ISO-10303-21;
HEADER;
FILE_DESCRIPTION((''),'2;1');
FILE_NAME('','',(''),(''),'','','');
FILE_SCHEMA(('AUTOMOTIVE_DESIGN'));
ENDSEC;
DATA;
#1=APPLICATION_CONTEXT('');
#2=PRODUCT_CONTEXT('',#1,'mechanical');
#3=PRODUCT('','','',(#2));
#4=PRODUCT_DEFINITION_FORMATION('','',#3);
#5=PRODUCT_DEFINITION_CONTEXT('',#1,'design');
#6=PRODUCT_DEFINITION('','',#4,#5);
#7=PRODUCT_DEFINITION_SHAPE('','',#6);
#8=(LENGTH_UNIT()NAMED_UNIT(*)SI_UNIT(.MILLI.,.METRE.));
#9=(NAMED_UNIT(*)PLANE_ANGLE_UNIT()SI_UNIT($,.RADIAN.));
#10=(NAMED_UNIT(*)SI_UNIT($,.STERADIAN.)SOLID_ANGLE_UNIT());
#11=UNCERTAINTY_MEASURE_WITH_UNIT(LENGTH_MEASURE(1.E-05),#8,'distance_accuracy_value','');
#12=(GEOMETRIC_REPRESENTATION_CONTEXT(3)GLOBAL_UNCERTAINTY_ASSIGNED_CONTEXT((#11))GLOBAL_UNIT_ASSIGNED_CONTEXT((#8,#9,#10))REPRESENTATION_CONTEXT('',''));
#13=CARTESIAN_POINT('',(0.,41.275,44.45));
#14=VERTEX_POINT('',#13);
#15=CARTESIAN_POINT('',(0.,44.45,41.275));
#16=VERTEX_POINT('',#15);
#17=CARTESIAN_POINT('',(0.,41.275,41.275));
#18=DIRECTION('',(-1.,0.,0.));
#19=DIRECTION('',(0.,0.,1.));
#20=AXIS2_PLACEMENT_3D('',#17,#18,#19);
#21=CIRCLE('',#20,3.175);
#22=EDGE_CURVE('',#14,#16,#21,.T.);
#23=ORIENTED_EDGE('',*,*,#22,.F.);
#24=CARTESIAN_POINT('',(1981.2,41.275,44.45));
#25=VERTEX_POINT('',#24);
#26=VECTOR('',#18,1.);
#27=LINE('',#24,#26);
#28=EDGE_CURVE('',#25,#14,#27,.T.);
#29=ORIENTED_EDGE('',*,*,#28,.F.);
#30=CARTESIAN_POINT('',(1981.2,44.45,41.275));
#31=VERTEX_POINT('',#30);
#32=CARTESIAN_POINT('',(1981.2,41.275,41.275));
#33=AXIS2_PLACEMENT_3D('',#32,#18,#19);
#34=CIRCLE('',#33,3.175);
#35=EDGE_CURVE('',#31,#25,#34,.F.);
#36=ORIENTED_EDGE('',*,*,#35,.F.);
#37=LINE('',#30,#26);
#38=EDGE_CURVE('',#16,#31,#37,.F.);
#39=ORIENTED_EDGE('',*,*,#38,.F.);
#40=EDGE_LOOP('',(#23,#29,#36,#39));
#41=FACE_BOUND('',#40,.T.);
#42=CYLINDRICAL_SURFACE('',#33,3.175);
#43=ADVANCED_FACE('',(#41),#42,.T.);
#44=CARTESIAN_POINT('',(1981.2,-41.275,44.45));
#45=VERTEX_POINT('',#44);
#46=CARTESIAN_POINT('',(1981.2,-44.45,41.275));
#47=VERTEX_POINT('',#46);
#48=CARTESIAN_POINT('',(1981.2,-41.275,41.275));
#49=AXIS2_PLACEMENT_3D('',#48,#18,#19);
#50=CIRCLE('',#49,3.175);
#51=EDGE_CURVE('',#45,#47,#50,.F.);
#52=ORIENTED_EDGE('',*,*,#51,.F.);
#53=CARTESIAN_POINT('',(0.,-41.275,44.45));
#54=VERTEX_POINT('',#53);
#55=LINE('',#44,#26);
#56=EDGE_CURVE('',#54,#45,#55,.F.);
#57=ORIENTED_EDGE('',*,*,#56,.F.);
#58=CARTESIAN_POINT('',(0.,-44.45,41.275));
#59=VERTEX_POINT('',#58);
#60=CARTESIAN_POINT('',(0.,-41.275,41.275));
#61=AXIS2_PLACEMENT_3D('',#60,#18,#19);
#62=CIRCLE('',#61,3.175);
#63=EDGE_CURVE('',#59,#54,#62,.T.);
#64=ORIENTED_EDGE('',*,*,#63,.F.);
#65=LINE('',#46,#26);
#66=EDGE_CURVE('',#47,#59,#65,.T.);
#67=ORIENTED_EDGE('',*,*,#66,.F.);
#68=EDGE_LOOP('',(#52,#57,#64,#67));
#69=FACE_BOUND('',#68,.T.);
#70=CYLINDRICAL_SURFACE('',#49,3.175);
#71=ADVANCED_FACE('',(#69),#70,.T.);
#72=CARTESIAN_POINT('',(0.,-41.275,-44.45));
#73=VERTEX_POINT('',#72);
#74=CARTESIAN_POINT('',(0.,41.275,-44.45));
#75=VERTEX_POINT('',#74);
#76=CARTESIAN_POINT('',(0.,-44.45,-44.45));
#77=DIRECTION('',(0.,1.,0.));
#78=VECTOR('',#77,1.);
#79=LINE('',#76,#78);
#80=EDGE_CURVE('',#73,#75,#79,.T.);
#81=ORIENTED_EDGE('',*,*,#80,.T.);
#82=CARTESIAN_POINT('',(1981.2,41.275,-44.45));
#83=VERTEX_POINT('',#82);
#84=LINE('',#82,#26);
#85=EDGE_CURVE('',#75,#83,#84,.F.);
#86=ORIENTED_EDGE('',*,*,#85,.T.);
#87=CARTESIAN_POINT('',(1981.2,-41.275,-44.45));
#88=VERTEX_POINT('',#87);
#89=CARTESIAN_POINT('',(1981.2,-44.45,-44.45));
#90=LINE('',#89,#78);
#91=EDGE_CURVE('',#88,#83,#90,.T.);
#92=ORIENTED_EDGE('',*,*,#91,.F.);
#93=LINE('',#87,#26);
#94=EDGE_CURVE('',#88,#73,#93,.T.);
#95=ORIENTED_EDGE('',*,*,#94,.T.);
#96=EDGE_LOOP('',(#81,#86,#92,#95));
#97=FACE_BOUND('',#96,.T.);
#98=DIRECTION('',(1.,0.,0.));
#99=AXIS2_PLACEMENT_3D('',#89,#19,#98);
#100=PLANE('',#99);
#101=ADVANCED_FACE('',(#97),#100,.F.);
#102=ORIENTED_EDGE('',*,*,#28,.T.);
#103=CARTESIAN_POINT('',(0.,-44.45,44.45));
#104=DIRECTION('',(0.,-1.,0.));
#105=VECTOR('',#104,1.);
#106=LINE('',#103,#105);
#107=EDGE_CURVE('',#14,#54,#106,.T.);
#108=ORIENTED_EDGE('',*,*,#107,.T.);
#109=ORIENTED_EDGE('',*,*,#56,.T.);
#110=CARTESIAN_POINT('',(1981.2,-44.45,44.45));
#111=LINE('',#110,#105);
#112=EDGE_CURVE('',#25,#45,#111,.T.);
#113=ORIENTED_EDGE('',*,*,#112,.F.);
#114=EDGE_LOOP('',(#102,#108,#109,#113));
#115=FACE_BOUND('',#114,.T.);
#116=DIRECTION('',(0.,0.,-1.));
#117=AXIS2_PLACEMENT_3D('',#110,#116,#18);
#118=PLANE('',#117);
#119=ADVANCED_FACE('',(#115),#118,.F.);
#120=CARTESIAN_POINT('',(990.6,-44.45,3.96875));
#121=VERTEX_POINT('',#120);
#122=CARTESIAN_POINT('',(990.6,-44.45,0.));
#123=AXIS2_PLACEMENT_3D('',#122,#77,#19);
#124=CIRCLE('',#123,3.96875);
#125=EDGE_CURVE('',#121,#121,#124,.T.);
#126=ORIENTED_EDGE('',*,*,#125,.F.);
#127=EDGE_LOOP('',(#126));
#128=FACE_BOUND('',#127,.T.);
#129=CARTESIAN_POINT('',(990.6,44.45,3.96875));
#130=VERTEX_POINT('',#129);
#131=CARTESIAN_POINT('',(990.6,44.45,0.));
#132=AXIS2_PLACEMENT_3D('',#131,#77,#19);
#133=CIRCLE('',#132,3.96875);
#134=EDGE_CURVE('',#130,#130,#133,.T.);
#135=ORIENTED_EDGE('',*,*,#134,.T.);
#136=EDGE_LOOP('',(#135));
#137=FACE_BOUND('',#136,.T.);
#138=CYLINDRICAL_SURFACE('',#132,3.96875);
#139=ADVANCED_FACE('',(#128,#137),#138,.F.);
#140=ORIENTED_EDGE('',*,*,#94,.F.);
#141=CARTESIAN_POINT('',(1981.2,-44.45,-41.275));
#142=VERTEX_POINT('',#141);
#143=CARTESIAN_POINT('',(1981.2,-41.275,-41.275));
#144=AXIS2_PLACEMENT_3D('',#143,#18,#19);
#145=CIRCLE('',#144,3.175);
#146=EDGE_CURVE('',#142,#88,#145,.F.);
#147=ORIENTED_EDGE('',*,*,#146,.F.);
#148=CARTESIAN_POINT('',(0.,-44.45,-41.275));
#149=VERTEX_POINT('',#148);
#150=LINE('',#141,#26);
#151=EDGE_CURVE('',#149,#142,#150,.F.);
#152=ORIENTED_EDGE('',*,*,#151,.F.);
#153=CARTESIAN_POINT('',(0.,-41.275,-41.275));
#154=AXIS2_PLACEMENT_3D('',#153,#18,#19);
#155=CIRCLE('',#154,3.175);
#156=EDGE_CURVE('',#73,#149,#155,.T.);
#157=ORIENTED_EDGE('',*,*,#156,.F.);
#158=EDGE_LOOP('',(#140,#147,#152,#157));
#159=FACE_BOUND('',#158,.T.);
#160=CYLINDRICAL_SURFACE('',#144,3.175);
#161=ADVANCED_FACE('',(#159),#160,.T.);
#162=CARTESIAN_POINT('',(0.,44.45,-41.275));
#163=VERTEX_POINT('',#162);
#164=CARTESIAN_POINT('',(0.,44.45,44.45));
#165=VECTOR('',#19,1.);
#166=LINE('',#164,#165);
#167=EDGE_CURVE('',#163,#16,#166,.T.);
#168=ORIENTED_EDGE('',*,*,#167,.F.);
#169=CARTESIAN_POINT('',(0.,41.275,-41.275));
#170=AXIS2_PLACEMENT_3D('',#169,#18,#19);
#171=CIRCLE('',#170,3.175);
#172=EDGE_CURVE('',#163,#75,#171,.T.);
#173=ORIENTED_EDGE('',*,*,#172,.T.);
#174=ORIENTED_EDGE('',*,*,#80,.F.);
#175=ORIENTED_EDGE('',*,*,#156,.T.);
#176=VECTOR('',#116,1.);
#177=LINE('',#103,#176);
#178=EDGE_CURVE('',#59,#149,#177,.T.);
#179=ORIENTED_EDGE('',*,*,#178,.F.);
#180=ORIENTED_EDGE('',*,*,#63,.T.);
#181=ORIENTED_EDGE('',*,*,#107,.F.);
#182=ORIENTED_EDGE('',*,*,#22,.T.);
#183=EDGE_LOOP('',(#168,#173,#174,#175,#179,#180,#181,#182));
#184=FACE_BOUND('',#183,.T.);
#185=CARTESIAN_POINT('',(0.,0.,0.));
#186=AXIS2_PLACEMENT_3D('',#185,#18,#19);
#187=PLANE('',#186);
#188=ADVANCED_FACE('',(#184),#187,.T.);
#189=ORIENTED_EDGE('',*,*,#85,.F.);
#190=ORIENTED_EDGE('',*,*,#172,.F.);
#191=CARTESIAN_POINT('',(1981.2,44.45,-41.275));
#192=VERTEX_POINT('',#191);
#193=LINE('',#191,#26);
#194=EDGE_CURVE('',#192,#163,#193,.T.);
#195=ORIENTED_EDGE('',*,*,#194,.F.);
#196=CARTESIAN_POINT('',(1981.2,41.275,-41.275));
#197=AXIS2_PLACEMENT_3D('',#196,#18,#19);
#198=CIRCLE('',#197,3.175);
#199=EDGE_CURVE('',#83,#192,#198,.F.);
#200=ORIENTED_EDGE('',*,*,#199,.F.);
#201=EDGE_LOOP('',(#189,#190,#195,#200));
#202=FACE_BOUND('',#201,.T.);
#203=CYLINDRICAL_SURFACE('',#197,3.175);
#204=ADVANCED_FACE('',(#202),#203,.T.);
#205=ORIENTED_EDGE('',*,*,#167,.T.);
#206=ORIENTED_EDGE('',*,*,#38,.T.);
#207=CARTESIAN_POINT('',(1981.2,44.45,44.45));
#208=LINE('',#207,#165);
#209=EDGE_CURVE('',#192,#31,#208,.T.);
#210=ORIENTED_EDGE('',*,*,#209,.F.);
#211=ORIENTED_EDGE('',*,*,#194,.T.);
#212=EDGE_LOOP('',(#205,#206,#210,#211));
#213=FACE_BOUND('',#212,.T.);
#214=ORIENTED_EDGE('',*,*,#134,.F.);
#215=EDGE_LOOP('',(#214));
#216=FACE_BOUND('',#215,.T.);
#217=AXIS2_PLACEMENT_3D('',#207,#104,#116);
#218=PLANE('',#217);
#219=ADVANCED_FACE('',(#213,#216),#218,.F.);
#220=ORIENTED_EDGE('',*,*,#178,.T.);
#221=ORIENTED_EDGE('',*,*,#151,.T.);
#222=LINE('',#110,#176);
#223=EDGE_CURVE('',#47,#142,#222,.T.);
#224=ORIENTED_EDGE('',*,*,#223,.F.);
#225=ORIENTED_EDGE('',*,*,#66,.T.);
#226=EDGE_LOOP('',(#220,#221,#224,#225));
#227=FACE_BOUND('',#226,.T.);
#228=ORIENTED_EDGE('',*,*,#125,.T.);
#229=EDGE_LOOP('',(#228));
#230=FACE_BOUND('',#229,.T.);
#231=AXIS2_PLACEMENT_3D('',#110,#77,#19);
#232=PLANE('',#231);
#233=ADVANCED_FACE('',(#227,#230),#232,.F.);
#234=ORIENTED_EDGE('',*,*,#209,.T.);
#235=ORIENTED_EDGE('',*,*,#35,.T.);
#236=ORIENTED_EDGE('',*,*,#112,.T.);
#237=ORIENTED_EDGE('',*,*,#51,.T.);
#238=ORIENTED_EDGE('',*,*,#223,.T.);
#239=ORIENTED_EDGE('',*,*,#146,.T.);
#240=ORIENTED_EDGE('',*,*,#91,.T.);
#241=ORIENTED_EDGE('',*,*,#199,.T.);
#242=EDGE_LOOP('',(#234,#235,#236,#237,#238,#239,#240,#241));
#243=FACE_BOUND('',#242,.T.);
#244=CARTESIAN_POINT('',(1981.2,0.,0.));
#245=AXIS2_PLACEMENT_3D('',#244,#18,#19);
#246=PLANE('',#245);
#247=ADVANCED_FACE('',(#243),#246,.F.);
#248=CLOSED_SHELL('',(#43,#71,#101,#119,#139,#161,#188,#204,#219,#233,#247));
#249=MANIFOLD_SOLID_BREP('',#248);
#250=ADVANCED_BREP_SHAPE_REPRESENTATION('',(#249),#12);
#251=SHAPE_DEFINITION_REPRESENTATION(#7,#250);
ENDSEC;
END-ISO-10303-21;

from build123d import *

# Parameters (mm, degrees)
SKETCH1_W                      = 88.9
SKETCH1_H                      = 88.9
BOSS_EXTRUDE1_DEPTH            = 1981.2
FILLET1_R                      = 3.175
F_5_16_0_3125_DIAMETER_HOLE1_D = 7.9375


with BuildPart() as part:
    # Sketch1 → Boss-Extrude1 (new body)
    with BuildSketch(Plane(origin=(0, 0, 0), x_dir=(0, 0, -1), z_dir=(1, 0, 0))):
        Rectangle(SKETCH1_W, SKETCH1_H)
    extrude(amount=BOSS_EXTRUDE1_DEPTH)

    # Fillet1
    fillet1_edges = [part.edges().sort_by_distance(p)[0] for p in [
        (990.6, -44.45, -44.45),
        (990.6, -44.45, 44.45),
        (990.6, 44.45, 44.45),
        (990.6, 44.45, -44.45),
    ]]
    fillet(fillet1_edges, radius=FILLET1_R)

    # 5/16 (0.3125) Diameter Hole1 (through all)
    with Locations(Plane(origin=(0, 44.45, 0), x_dir=(1, 0, 0), z_dir=(0, 1, 0))):
        with Locations((990.6, 0)):
            Hole(F_5_16_0_3125_DIAMETER_HOLE1_D / 2)


solid = part.part
